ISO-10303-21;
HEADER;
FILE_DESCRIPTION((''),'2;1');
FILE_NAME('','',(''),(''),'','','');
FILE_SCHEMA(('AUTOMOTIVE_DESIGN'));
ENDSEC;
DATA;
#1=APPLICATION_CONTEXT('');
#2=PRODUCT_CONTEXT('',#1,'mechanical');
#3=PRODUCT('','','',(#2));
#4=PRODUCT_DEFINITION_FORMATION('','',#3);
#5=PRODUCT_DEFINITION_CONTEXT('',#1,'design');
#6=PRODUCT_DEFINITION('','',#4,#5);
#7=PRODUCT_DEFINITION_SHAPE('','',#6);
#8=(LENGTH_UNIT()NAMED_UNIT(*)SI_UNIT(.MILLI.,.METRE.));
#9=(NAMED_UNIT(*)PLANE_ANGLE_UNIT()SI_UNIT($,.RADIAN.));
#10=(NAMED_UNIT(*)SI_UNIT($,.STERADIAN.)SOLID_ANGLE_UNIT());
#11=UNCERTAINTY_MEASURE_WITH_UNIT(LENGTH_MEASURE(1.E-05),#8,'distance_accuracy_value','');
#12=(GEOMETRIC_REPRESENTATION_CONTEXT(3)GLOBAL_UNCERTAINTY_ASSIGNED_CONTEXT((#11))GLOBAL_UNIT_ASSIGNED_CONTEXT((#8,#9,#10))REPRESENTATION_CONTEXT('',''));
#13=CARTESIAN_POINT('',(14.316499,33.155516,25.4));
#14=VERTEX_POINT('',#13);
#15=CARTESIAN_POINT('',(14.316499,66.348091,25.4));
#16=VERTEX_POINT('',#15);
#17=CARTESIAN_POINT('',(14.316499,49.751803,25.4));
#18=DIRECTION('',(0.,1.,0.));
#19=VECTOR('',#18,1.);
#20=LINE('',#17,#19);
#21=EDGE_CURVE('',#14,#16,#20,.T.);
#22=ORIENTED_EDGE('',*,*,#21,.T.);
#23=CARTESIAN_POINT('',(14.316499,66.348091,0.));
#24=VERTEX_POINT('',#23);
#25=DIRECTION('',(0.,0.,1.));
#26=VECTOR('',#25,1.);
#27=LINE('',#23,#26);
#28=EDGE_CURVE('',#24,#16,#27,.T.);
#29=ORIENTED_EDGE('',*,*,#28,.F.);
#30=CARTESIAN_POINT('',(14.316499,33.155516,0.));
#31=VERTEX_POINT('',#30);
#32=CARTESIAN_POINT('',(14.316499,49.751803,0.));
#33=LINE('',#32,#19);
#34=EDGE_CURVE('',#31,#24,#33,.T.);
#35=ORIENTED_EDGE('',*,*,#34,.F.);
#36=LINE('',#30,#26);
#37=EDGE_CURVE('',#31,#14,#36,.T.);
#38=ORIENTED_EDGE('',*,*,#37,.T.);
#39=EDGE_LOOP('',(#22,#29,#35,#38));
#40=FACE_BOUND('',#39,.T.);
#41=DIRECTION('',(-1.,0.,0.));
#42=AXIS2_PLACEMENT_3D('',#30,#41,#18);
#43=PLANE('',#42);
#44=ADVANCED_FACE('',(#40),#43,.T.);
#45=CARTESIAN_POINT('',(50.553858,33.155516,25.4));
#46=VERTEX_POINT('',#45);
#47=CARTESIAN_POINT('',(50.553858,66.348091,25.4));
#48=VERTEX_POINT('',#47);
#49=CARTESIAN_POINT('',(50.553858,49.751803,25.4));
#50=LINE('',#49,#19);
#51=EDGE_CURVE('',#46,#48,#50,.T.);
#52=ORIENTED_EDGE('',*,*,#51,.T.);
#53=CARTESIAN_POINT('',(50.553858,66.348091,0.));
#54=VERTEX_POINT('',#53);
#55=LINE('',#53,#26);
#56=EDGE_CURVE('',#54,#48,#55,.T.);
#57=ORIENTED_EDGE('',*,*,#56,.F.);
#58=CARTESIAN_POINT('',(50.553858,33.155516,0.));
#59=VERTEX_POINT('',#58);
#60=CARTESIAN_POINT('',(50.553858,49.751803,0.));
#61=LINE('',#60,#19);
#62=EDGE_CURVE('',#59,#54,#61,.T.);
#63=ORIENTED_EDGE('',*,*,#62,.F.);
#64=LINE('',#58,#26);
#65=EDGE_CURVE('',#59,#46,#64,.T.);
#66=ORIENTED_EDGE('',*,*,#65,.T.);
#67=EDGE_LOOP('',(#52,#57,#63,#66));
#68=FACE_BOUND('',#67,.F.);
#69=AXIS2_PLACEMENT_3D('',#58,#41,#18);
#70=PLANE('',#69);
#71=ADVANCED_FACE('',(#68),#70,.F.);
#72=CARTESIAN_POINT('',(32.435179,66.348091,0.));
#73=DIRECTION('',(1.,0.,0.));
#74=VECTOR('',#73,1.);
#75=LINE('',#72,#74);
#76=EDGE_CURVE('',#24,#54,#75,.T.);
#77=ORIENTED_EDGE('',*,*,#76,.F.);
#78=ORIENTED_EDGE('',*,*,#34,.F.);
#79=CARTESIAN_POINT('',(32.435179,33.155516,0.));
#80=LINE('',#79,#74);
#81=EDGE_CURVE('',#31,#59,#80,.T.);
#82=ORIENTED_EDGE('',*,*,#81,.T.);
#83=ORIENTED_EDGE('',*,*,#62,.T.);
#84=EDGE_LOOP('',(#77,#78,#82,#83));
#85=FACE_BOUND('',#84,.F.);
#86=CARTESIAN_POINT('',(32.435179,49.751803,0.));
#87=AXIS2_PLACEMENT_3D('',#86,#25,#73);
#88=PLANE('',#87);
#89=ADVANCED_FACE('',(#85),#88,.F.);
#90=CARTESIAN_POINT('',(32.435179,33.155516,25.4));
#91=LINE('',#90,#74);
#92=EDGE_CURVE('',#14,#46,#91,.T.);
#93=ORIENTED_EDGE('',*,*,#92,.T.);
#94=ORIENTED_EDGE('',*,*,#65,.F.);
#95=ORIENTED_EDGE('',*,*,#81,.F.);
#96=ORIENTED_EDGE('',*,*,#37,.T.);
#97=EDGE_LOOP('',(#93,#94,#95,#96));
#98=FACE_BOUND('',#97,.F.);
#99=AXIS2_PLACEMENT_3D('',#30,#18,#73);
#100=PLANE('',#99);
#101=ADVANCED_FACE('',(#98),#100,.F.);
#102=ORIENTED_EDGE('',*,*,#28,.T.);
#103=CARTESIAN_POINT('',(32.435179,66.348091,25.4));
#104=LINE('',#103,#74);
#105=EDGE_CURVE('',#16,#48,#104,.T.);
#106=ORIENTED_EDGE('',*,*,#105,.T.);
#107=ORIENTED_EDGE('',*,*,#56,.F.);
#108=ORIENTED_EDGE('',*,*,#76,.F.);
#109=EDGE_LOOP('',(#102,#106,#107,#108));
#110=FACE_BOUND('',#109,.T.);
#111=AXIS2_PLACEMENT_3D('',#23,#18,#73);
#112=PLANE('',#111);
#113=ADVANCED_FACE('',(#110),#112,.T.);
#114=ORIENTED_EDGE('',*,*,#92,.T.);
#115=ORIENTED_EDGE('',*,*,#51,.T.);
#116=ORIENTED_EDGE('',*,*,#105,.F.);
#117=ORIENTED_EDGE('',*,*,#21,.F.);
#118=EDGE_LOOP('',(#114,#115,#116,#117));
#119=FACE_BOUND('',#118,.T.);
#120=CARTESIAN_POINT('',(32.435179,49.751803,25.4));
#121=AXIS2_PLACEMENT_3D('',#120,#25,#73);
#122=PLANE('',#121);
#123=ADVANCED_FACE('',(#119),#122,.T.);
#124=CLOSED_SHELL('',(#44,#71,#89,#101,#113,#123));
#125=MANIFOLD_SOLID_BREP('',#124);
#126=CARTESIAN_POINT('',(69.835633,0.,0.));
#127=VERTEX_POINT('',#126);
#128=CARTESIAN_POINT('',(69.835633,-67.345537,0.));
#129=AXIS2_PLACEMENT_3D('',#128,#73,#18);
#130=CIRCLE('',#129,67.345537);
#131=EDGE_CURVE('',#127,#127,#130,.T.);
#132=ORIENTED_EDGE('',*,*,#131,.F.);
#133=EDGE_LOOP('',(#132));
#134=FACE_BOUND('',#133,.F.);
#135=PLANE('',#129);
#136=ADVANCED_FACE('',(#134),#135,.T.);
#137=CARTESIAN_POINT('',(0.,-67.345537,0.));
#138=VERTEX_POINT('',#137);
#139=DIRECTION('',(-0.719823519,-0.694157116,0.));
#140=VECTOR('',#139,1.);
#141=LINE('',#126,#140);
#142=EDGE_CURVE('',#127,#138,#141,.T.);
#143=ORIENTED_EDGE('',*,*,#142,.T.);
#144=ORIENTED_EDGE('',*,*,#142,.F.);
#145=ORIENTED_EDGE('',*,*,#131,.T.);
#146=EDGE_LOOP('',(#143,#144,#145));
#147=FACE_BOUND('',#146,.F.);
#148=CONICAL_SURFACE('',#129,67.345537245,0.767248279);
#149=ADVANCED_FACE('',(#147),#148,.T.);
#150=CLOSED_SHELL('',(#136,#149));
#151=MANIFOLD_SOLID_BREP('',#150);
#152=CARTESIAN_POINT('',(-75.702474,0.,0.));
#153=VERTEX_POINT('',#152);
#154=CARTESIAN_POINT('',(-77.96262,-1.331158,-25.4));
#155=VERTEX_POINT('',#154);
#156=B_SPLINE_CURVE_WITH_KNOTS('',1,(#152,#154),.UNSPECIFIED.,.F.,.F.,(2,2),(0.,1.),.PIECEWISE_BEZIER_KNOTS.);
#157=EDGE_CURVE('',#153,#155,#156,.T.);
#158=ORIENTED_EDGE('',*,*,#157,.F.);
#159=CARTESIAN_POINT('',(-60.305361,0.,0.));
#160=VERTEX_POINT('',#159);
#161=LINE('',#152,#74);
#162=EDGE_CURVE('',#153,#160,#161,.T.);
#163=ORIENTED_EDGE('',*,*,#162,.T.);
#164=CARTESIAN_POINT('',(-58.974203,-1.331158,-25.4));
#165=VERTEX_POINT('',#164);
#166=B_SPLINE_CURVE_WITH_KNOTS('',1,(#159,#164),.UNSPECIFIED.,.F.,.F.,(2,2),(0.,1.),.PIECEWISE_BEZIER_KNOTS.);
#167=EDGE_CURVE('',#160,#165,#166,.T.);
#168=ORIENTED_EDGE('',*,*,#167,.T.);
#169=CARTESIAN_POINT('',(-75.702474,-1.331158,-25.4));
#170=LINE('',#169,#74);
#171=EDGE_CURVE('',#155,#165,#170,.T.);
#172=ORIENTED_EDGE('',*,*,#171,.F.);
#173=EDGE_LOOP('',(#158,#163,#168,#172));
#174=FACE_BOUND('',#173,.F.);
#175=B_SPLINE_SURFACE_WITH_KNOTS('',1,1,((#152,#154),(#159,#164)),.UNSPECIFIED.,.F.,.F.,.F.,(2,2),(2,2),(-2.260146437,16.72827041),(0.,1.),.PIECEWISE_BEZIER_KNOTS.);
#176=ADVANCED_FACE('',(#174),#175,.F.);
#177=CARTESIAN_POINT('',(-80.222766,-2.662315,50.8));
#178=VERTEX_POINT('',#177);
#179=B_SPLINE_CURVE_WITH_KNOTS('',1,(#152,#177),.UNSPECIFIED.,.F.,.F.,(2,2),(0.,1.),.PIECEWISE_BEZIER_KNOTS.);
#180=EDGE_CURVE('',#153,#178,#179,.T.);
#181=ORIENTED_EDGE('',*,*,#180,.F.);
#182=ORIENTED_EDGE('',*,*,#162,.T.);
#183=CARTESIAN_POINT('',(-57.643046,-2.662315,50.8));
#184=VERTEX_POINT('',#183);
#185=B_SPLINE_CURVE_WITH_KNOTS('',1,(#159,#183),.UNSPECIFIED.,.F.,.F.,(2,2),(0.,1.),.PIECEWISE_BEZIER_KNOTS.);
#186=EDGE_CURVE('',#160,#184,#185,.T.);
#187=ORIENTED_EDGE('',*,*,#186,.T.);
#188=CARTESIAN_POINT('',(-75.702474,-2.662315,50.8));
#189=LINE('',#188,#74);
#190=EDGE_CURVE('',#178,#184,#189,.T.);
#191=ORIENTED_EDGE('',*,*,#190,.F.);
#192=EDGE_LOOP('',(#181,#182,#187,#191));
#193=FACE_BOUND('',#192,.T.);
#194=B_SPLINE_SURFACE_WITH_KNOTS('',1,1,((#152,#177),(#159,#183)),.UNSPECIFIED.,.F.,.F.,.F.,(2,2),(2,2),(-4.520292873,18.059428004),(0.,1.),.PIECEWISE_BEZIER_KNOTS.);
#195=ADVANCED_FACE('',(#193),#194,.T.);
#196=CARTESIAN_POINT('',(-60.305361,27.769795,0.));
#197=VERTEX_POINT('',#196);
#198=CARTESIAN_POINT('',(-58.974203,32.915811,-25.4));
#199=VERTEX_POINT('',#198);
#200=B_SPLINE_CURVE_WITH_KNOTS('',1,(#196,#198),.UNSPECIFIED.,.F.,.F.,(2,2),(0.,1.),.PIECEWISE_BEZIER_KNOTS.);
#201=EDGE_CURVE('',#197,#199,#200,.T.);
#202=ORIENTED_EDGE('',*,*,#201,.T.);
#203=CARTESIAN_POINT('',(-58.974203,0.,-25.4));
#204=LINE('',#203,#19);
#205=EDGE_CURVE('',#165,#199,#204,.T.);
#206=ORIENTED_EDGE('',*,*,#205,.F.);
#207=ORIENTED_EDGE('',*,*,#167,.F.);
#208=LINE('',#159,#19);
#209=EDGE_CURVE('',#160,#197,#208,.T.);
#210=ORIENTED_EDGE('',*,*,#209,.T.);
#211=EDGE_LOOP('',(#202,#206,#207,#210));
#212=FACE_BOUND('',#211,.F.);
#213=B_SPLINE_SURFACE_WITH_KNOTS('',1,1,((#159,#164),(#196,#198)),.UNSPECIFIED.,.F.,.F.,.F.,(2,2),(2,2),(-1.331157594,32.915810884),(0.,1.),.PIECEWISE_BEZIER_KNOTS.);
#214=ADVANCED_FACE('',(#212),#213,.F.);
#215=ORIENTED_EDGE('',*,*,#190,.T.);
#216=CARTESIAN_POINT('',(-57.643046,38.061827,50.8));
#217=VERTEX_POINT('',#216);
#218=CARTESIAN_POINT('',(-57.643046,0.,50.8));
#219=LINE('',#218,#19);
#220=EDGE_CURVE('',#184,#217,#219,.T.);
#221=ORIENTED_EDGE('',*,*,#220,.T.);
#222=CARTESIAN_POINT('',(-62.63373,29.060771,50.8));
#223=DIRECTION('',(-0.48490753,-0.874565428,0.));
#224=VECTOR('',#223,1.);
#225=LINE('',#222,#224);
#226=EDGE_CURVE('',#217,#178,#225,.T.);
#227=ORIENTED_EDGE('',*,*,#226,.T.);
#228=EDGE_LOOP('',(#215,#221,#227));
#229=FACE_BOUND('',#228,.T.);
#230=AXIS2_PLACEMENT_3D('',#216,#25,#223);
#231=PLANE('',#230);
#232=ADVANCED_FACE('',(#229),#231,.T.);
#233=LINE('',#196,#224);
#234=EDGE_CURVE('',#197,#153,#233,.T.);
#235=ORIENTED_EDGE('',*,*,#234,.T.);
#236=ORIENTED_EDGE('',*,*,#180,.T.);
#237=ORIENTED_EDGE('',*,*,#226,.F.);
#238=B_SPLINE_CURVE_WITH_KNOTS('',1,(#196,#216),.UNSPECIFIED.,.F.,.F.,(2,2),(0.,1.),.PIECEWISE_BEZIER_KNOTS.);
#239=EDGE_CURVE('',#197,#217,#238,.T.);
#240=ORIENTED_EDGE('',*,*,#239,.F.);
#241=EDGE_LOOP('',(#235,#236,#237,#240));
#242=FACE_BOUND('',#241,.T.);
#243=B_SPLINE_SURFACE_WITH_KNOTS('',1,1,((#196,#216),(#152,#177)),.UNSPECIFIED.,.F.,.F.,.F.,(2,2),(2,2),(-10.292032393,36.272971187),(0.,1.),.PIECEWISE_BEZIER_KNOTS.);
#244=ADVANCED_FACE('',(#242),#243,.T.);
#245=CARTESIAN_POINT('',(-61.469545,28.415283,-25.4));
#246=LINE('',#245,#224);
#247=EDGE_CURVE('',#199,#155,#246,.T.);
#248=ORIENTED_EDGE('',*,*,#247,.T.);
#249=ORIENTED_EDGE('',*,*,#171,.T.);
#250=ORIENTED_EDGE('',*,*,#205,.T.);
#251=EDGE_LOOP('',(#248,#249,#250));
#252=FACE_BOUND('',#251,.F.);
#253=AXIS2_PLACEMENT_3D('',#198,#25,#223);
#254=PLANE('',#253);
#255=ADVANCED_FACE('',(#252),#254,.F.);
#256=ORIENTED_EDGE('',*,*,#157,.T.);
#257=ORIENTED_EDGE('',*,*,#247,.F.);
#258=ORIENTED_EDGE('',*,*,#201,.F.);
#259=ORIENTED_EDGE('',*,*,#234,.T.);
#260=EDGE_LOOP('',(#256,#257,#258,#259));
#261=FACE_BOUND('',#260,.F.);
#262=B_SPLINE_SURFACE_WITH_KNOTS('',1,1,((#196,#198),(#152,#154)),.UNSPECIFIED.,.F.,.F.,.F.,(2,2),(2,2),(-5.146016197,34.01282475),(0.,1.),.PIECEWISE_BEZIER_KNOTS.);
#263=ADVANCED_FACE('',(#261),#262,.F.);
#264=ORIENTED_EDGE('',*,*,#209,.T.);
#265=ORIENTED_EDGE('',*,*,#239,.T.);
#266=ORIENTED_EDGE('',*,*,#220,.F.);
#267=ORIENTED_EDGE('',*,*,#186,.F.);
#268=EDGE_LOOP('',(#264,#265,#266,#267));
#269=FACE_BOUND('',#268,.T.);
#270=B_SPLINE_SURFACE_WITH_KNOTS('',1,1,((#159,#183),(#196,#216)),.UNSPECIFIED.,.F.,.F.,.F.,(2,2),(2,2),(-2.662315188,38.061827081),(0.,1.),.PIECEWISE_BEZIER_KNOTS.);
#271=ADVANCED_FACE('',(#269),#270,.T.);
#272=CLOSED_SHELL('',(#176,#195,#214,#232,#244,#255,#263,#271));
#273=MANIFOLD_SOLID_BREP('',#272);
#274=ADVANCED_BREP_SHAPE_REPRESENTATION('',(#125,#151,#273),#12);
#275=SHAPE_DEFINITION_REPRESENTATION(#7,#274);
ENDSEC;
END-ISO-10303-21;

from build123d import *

# Parameters (mm, degrees)
F1_DEPTH      = 50.8
F1_TAPER      = -3
F1_DEPTH_BACK = 25.4
F1_TAPER_BACK = -3
F4_W          = 36.2373590469
F4_H          = 33.1925749779
F6_DEPTH      = 25.4


with BuildPart() as f1:
    # F0 (on Top) → F1 (new body, two sides)
    with BuildSketch(Plane.XY) as f1_sk:
        Polygon((-60.3053607047, 27.7697946876), (-75.7024735212, 0), (-60.3053607047, 0), align=None)
    extrude(amount=F1_DEPTH, taper=F1_TAPER)
    extrude(f1_sk.sketch, amount=-F1_DEPTH_BACK, taper=F1_TAPER_BACK)


with BuildPart() as f3:
    # F2 (on Top) → F3 (revolve)
    with BuildSketch(Plane.XY):
        Polygon((69.8356330395, 0), (0, -67.3455372453), (69.8356330395, -67.3455372453), align=None)
    revolve(axis=Axis((34.9178165197, -67.3455372453, 0), (1, 0, 0)))


with BuildPart() as f6:
    # F4 (on Top) → F6 (new body)
    with BuildSketch(Plane.XY):
        with Locations((32.4351787567, 49.7518032789)):
            Rectangle(F4_W, F4_H)
    extrude(amount=F6_DEPTH)


solid = Compound([f1.part, f3.part, f6.part])
